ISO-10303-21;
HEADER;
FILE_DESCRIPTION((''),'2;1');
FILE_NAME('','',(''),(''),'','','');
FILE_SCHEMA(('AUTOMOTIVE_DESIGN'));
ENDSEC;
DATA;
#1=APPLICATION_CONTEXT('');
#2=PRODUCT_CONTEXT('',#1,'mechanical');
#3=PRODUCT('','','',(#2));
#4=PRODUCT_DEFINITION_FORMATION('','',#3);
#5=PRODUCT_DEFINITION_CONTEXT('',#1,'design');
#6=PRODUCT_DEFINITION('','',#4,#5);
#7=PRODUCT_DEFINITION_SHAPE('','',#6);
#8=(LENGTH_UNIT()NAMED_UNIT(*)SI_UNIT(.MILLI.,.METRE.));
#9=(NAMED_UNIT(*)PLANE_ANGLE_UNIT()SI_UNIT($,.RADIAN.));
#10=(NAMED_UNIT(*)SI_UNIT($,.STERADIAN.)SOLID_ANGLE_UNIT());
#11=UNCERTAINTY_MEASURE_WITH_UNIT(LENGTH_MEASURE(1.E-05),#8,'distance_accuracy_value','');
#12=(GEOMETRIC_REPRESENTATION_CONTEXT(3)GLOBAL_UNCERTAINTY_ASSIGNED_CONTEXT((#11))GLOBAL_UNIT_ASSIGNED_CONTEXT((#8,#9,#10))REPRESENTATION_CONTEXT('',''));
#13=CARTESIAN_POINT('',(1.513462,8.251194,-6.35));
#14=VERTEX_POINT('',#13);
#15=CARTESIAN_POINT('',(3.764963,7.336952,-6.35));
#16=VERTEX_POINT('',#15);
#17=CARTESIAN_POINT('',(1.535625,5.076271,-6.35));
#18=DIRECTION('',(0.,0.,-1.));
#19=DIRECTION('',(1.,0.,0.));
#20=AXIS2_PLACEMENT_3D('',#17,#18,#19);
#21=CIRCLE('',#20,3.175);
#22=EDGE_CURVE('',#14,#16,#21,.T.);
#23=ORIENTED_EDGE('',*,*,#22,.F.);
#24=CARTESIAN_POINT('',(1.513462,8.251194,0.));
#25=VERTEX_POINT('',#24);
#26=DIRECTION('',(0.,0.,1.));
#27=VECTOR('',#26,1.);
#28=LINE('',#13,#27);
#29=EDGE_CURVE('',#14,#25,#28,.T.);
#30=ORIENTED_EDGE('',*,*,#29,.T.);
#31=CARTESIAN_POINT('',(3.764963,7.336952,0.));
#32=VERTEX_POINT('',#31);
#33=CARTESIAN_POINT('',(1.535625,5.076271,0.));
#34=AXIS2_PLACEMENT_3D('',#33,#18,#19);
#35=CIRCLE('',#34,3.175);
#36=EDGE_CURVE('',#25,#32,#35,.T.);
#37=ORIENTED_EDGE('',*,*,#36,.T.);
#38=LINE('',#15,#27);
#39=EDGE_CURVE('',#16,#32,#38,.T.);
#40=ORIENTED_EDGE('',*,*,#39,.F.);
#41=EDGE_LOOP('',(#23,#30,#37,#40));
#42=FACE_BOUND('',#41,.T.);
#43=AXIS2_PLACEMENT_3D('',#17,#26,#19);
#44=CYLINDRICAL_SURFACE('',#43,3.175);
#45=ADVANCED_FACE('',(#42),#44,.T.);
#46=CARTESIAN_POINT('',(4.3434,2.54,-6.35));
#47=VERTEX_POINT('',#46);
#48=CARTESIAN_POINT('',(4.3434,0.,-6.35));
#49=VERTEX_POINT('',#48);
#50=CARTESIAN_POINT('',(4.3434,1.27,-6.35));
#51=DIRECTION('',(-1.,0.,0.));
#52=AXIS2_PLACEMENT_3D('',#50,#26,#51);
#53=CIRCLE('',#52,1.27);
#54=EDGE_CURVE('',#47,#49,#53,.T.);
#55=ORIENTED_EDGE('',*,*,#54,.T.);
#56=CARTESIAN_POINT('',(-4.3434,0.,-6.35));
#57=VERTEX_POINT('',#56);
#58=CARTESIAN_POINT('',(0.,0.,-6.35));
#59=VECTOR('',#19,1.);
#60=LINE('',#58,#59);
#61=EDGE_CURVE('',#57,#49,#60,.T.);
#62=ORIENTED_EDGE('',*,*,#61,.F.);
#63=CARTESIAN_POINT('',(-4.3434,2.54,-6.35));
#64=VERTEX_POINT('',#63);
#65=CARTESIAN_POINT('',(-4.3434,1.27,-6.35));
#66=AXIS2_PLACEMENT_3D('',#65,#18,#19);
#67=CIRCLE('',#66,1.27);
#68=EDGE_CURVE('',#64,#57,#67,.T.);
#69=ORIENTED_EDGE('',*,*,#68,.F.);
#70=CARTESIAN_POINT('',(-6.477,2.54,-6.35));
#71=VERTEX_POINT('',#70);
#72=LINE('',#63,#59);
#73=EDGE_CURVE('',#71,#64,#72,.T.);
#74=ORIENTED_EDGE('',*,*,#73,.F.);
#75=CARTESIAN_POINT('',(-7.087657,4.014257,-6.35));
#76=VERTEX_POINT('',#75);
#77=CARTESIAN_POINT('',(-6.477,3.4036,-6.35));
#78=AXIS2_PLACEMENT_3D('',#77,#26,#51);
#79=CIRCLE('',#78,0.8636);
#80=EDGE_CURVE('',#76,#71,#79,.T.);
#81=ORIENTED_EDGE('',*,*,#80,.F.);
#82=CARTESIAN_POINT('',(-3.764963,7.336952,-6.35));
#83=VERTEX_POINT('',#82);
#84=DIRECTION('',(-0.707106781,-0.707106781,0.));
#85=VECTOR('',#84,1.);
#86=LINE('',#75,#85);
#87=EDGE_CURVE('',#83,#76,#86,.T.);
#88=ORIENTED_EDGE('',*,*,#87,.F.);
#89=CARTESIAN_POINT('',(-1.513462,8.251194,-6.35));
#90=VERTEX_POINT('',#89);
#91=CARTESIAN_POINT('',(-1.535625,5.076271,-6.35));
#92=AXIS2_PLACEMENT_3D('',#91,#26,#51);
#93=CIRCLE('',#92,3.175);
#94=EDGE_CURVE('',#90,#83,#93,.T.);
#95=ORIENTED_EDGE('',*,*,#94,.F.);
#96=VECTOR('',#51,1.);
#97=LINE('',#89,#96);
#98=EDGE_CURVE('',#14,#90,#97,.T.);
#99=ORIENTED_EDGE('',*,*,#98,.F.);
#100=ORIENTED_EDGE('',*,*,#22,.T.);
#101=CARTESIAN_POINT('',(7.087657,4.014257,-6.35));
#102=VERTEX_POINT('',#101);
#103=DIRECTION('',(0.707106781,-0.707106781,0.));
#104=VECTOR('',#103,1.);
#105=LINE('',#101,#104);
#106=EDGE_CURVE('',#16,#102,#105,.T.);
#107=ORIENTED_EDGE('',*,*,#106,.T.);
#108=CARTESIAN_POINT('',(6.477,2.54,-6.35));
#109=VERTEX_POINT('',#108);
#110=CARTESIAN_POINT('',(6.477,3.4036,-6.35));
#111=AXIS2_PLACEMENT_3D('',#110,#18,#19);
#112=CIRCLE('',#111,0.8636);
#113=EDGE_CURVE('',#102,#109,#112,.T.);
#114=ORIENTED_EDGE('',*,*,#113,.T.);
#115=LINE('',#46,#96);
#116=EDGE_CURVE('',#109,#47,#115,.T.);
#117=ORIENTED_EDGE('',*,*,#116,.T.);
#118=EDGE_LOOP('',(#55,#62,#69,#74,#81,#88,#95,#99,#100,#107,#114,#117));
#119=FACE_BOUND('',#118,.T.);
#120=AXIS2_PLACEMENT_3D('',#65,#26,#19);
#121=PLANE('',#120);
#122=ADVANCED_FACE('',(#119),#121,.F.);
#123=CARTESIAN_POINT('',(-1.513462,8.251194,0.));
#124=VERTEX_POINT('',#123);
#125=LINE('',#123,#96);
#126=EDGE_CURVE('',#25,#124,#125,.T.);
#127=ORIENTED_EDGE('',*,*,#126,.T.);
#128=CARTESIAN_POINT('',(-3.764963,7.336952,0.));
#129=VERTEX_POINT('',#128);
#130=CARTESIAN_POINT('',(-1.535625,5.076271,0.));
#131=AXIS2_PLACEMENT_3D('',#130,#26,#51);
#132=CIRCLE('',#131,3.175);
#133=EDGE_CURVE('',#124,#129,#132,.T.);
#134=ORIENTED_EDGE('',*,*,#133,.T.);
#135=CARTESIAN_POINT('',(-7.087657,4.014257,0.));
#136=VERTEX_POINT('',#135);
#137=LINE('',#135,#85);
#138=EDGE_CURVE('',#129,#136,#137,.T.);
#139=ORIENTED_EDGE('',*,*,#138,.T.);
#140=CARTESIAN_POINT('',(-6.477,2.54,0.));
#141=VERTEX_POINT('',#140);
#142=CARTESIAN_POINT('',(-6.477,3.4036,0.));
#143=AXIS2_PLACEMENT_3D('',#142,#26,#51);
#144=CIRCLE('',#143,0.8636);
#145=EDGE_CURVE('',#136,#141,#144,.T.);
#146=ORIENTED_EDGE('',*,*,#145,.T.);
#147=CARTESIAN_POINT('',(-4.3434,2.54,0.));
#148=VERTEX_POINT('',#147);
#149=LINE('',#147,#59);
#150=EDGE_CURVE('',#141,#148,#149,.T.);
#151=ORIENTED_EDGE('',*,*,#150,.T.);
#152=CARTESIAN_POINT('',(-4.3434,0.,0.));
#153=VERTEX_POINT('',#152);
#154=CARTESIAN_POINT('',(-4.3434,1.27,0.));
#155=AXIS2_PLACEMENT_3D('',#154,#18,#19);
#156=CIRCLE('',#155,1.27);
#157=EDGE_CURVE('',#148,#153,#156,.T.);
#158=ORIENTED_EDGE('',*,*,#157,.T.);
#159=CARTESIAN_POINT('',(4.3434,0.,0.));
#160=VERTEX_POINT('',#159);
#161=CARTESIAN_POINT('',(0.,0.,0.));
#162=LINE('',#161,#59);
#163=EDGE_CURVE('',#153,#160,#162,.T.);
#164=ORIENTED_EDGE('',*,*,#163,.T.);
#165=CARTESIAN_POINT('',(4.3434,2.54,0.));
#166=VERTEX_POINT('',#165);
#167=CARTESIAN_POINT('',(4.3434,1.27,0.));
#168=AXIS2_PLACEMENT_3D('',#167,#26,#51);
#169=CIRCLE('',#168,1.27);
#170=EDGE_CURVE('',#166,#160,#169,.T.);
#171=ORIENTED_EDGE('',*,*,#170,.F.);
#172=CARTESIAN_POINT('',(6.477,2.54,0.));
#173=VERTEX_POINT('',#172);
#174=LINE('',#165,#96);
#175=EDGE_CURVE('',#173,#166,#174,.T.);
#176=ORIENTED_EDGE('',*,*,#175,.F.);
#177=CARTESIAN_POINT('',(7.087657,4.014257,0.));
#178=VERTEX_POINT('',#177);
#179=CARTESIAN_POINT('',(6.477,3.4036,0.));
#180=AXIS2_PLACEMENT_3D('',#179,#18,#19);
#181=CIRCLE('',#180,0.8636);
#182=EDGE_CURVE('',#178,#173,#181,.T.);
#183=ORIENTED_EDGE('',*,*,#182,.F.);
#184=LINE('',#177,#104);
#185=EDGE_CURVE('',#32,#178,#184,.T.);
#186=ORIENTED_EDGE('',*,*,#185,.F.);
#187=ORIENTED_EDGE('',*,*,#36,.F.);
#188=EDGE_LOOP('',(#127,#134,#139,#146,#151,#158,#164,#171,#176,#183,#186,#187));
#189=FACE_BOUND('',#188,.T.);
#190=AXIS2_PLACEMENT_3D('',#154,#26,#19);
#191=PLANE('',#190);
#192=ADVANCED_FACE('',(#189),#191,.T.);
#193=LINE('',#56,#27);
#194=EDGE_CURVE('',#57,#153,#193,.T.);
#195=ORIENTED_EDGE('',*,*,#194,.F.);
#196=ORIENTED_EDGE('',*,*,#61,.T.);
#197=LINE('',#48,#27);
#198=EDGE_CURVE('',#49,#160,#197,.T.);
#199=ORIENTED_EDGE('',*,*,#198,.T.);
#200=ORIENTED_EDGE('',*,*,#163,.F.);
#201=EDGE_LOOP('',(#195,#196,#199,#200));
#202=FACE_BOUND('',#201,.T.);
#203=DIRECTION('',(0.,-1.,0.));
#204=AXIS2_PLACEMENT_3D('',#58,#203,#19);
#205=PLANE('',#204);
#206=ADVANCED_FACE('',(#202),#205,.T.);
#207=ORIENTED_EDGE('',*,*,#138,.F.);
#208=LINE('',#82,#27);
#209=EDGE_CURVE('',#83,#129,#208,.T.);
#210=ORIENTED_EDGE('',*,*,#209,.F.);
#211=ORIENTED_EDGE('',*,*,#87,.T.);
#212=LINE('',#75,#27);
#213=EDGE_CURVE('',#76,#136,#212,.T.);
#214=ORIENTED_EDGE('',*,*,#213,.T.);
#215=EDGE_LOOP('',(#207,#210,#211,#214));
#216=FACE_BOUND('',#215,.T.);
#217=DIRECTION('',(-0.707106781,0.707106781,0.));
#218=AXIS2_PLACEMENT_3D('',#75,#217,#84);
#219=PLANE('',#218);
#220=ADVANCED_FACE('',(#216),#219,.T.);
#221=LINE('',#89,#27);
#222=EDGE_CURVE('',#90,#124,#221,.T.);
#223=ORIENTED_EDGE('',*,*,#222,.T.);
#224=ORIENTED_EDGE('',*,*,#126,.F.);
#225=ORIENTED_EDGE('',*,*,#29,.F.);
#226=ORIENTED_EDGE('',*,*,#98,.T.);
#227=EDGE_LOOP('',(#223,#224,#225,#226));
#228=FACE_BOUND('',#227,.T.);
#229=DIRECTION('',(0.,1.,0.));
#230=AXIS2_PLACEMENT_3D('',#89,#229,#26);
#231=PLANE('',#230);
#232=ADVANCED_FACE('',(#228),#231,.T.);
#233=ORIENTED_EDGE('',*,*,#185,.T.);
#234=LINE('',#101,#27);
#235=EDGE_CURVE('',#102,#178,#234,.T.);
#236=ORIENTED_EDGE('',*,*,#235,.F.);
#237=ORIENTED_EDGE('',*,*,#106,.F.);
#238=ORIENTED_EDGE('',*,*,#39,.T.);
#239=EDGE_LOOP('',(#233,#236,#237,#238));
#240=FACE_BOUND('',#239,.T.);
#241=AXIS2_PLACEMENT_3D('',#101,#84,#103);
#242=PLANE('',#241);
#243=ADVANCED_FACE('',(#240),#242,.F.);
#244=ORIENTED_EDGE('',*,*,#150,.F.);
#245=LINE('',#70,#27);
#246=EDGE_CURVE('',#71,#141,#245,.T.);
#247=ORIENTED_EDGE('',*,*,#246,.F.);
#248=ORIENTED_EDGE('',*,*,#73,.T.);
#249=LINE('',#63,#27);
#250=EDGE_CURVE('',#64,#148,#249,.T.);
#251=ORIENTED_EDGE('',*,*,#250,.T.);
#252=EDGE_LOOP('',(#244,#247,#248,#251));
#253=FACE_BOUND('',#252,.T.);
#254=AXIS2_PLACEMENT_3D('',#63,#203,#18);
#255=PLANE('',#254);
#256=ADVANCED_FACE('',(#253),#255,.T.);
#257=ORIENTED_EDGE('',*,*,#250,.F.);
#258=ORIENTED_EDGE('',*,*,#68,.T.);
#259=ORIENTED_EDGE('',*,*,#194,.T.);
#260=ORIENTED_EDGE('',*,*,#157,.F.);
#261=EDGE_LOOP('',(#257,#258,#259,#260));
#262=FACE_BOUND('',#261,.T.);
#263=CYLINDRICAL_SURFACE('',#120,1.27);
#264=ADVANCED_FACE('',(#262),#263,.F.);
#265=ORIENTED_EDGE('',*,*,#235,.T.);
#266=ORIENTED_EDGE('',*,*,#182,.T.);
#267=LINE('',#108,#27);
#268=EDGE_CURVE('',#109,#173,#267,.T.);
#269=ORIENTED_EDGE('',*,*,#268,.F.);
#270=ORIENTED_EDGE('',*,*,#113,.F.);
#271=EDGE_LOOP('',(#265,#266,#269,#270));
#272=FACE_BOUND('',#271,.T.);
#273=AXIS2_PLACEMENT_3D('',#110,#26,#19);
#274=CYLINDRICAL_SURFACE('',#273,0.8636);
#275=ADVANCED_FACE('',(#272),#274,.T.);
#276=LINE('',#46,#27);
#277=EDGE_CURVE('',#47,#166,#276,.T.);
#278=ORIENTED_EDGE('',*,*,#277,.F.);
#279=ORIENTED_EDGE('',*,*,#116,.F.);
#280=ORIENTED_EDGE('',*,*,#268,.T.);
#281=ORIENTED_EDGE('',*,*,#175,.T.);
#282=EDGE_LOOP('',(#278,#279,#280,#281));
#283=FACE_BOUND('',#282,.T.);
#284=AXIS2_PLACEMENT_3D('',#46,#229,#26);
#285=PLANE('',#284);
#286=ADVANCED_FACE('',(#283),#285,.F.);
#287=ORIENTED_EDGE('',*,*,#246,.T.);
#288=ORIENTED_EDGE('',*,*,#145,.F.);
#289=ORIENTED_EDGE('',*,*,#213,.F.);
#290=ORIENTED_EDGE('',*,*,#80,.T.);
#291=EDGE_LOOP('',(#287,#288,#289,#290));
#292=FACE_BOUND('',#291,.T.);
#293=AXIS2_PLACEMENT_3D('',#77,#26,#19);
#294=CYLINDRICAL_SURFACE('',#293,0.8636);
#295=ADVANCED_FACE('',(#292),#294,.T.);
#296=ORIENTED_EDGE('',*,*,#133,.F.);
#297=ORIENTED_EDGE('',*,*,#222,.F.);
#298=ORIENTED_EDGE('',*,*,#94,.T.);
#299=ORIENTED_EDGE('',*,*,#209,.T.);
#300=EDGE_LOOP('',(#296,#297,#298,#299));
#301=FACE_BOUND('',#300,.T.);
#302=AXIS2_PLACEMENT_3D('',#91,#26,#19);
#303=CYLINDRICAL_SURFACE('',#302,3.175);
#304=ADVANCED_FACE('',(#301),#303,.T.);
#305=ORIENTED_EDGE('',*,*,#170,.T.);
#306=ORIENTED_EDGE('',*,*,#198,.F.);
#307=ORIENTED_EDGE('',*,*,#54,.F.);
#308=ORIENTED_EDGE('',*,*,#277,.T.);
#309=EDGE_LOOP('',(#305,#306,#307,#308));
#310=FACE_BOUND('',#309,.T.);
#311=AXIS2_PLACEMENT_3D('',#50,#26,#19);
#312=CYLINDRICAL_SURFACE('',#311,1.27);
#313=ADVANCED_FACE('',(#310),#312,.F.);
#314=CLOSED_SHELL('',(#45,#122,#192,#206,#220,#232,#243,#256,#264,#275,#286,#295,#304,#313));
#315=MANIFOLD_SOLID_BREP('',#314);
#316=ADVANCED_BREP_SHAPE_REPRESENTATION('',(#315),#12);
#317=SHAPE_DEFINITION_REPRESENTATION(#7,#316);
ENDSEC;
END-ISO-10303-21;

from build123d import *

# Parameters (mm, degrees)
BOSS_EXTRUDE1_DEPTH = 6.35


with BuildPart() as part:
    # Sketch1 → Boss-Extrude1 (new body)
    with BuildSketch(Plane.XY):
        with BuildLine():
            Line((0, 0), (-4.3434, 0))
            ThreePointArc((-4.3434, 0), (-3.0734, 1.27), (-4.3434, 2.54))
            Line((-4.3434, 2.54), (-6.477, 2.54))
            ThreePointArc((-6.477, 2.54), (-7.274862364, 3.073114588), (-7.087657416, 4.014257416))
            Line((-7.087657416, 4.014257416), (-3.764962651, 7.336952181))
            ThreePointArc((-3.764962651, 7.336952181), (-2.730139224, 8.017998618), (-1.513461851, 8.2511937))
            Line((-1.513461851, 8.2511937), (0, 8.2511937))
            Line((0, 8.2511937), (0, 0))
        make_face()
    boss_extrude1 = extrude(amount=-BOSS_EXTRUDE1_DEPTH)

    # Mirror1: Boss-Extrude1 across plane
    add(boss_extrude1.mirror(Plane(origin=(0, 0, 0), x_dir=(0, 0, 1), z_dir=(1, 0, 0))))


solid = part.part
